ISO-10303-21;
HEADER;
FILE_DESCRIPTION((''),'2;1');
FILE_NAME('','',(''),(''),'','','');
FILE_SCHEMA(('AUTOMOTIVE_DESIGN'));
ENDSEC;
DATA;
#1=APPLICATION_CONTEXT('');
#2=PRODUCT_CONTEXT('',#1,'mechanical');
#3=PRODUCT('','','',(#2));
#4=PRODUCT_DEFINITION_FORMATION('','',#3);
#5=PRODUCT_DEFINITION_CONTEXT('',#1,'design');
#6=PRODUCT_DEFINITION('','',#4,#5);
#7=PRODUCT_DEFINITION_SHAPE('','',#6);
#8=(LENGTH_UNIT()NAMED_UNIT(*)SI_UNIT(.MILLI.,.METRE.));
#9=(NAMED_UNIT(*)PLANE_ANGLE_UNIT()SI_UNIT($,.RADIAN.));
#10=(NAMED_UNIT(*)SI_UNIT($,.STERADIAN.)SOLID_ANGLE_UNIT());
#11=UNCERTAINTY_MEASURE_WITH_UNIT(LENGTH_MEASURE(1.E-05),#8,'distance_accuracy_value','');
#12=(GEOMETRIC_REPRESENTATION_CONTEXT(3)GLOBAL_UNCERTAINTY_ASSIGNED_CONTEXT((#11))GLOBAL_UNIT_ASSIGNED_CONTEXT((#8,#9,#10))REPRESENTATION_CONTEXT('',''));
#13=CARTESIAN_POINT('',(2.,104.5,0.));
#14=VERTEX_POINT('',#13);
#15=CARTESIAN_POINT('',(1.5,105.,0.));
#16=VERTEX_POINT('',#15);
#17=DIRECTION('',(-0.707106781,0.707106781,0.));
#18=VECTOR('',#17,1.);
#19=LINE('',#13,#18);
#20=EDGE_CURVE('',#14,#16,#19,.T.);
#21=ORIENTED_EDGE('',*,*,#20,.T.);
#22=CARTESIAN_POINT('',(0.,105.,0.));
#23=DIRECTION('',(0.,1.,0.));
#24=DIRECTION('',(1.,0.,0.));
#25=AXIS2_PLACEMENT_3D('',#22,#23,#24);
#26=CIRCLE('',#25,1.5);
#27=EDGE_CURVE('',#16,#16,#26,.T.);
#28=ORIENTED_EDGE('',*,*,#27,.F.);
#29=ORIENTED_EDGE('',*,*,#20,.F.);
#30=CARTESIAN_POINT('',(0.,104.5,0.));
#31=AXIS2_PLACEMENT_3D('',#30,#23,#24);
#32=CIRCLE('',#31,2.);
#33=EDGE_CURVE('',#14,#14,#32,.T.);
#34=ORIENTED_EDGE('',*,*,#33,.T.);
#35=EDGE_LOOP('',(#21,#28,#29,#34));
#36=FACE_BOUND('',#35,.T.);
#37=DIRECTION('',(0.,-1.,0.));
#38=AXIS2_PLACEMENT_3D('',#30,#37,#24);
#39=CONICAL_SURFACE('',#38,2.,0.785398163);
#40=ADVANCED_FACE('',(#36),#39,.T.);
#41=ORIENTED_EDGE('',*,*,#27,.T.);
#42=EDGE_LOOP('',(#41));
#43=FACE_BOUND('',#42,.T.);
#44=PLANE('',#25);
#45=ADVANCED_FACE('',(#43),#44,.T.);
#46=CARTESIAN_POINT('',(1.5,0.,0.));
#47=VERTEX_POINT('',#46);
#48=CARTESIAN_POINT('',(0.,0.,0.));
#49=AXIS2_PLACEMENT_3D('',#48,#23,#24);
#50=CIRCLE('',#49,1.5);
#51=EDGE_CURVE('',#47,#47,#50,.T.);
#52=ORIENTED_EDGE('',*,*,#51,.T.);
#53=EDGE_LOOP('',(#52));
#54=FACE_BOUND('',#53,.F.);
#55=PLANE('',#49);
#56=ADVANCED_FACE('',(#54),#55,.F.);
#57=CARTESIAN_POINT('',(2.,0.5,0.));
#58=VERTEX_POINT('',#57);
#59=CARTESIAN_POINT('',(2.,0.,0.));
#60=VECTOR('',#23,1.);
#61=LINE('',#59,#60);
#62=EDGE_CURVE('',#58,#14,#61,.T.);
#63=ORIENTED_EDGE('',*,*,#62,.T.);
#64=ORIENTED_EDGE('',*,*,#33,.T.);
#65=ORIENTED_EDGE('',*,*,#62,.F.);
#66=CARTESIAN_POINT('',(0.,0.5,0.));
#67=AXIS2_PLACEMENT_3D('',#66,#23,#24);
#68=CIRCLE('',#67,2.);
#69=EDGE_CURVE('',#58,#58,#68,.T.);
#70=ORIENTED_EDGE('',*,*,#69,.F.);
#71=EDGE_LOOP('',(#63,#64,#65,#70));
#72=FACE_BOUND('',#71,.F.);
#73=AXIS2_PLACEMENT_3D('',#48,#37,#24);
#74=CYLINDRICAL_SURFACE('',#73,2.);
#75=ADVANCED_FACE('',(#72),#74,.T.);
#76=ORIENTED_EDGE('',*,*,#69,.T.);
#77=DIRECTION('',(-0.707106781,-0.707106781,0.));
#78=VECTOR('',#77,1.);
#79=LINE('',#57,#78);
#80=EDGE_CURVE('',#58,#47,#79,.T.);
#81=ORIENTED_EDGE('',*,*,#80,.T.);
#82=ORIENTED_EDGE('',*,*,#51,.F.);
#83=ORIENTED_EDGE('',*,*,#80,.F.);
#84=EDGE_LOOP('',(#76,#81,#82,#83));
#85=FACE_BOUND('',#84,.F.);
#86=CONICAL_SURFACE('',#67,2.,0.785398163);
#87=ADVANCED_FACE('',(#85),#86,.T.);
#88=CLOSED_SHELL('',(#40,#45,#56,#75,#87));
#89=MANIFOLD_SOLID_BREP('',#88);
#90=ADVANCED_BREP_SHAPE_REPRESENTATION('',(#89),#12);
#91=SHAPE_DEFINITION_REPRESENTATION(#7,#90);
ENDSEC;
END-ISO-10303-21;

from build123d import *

# Parameters (mm, degrees)
SKETCH1_R           = 2
BOSS_EXTRUDE1_DEPTH = 105
CHAMFER1_SIZE       = 0.5


with BuildPart() as part:
    # Sketch1 → Boss-Extrude1 (new body)
    with BuildSketch(Plane(origin=(0, 0, 0), x_dir=(1, 0, 0), z_dir=(0, 1, 0))):
        Circle(SKETCH1_R)
    extrude(amount=BOSS_EXTRUDE1_DEPTH)

    # Chamfer1
    chamfer1_edges = [part.edges().sort_by_distance(p)[0] for p in [
        (-2, 0, 0),
        (-2, 105, 0),
    ]]
    chamfer(chamfer1_edges, length=CHAMFER1_SIZE)


solid = part.part
